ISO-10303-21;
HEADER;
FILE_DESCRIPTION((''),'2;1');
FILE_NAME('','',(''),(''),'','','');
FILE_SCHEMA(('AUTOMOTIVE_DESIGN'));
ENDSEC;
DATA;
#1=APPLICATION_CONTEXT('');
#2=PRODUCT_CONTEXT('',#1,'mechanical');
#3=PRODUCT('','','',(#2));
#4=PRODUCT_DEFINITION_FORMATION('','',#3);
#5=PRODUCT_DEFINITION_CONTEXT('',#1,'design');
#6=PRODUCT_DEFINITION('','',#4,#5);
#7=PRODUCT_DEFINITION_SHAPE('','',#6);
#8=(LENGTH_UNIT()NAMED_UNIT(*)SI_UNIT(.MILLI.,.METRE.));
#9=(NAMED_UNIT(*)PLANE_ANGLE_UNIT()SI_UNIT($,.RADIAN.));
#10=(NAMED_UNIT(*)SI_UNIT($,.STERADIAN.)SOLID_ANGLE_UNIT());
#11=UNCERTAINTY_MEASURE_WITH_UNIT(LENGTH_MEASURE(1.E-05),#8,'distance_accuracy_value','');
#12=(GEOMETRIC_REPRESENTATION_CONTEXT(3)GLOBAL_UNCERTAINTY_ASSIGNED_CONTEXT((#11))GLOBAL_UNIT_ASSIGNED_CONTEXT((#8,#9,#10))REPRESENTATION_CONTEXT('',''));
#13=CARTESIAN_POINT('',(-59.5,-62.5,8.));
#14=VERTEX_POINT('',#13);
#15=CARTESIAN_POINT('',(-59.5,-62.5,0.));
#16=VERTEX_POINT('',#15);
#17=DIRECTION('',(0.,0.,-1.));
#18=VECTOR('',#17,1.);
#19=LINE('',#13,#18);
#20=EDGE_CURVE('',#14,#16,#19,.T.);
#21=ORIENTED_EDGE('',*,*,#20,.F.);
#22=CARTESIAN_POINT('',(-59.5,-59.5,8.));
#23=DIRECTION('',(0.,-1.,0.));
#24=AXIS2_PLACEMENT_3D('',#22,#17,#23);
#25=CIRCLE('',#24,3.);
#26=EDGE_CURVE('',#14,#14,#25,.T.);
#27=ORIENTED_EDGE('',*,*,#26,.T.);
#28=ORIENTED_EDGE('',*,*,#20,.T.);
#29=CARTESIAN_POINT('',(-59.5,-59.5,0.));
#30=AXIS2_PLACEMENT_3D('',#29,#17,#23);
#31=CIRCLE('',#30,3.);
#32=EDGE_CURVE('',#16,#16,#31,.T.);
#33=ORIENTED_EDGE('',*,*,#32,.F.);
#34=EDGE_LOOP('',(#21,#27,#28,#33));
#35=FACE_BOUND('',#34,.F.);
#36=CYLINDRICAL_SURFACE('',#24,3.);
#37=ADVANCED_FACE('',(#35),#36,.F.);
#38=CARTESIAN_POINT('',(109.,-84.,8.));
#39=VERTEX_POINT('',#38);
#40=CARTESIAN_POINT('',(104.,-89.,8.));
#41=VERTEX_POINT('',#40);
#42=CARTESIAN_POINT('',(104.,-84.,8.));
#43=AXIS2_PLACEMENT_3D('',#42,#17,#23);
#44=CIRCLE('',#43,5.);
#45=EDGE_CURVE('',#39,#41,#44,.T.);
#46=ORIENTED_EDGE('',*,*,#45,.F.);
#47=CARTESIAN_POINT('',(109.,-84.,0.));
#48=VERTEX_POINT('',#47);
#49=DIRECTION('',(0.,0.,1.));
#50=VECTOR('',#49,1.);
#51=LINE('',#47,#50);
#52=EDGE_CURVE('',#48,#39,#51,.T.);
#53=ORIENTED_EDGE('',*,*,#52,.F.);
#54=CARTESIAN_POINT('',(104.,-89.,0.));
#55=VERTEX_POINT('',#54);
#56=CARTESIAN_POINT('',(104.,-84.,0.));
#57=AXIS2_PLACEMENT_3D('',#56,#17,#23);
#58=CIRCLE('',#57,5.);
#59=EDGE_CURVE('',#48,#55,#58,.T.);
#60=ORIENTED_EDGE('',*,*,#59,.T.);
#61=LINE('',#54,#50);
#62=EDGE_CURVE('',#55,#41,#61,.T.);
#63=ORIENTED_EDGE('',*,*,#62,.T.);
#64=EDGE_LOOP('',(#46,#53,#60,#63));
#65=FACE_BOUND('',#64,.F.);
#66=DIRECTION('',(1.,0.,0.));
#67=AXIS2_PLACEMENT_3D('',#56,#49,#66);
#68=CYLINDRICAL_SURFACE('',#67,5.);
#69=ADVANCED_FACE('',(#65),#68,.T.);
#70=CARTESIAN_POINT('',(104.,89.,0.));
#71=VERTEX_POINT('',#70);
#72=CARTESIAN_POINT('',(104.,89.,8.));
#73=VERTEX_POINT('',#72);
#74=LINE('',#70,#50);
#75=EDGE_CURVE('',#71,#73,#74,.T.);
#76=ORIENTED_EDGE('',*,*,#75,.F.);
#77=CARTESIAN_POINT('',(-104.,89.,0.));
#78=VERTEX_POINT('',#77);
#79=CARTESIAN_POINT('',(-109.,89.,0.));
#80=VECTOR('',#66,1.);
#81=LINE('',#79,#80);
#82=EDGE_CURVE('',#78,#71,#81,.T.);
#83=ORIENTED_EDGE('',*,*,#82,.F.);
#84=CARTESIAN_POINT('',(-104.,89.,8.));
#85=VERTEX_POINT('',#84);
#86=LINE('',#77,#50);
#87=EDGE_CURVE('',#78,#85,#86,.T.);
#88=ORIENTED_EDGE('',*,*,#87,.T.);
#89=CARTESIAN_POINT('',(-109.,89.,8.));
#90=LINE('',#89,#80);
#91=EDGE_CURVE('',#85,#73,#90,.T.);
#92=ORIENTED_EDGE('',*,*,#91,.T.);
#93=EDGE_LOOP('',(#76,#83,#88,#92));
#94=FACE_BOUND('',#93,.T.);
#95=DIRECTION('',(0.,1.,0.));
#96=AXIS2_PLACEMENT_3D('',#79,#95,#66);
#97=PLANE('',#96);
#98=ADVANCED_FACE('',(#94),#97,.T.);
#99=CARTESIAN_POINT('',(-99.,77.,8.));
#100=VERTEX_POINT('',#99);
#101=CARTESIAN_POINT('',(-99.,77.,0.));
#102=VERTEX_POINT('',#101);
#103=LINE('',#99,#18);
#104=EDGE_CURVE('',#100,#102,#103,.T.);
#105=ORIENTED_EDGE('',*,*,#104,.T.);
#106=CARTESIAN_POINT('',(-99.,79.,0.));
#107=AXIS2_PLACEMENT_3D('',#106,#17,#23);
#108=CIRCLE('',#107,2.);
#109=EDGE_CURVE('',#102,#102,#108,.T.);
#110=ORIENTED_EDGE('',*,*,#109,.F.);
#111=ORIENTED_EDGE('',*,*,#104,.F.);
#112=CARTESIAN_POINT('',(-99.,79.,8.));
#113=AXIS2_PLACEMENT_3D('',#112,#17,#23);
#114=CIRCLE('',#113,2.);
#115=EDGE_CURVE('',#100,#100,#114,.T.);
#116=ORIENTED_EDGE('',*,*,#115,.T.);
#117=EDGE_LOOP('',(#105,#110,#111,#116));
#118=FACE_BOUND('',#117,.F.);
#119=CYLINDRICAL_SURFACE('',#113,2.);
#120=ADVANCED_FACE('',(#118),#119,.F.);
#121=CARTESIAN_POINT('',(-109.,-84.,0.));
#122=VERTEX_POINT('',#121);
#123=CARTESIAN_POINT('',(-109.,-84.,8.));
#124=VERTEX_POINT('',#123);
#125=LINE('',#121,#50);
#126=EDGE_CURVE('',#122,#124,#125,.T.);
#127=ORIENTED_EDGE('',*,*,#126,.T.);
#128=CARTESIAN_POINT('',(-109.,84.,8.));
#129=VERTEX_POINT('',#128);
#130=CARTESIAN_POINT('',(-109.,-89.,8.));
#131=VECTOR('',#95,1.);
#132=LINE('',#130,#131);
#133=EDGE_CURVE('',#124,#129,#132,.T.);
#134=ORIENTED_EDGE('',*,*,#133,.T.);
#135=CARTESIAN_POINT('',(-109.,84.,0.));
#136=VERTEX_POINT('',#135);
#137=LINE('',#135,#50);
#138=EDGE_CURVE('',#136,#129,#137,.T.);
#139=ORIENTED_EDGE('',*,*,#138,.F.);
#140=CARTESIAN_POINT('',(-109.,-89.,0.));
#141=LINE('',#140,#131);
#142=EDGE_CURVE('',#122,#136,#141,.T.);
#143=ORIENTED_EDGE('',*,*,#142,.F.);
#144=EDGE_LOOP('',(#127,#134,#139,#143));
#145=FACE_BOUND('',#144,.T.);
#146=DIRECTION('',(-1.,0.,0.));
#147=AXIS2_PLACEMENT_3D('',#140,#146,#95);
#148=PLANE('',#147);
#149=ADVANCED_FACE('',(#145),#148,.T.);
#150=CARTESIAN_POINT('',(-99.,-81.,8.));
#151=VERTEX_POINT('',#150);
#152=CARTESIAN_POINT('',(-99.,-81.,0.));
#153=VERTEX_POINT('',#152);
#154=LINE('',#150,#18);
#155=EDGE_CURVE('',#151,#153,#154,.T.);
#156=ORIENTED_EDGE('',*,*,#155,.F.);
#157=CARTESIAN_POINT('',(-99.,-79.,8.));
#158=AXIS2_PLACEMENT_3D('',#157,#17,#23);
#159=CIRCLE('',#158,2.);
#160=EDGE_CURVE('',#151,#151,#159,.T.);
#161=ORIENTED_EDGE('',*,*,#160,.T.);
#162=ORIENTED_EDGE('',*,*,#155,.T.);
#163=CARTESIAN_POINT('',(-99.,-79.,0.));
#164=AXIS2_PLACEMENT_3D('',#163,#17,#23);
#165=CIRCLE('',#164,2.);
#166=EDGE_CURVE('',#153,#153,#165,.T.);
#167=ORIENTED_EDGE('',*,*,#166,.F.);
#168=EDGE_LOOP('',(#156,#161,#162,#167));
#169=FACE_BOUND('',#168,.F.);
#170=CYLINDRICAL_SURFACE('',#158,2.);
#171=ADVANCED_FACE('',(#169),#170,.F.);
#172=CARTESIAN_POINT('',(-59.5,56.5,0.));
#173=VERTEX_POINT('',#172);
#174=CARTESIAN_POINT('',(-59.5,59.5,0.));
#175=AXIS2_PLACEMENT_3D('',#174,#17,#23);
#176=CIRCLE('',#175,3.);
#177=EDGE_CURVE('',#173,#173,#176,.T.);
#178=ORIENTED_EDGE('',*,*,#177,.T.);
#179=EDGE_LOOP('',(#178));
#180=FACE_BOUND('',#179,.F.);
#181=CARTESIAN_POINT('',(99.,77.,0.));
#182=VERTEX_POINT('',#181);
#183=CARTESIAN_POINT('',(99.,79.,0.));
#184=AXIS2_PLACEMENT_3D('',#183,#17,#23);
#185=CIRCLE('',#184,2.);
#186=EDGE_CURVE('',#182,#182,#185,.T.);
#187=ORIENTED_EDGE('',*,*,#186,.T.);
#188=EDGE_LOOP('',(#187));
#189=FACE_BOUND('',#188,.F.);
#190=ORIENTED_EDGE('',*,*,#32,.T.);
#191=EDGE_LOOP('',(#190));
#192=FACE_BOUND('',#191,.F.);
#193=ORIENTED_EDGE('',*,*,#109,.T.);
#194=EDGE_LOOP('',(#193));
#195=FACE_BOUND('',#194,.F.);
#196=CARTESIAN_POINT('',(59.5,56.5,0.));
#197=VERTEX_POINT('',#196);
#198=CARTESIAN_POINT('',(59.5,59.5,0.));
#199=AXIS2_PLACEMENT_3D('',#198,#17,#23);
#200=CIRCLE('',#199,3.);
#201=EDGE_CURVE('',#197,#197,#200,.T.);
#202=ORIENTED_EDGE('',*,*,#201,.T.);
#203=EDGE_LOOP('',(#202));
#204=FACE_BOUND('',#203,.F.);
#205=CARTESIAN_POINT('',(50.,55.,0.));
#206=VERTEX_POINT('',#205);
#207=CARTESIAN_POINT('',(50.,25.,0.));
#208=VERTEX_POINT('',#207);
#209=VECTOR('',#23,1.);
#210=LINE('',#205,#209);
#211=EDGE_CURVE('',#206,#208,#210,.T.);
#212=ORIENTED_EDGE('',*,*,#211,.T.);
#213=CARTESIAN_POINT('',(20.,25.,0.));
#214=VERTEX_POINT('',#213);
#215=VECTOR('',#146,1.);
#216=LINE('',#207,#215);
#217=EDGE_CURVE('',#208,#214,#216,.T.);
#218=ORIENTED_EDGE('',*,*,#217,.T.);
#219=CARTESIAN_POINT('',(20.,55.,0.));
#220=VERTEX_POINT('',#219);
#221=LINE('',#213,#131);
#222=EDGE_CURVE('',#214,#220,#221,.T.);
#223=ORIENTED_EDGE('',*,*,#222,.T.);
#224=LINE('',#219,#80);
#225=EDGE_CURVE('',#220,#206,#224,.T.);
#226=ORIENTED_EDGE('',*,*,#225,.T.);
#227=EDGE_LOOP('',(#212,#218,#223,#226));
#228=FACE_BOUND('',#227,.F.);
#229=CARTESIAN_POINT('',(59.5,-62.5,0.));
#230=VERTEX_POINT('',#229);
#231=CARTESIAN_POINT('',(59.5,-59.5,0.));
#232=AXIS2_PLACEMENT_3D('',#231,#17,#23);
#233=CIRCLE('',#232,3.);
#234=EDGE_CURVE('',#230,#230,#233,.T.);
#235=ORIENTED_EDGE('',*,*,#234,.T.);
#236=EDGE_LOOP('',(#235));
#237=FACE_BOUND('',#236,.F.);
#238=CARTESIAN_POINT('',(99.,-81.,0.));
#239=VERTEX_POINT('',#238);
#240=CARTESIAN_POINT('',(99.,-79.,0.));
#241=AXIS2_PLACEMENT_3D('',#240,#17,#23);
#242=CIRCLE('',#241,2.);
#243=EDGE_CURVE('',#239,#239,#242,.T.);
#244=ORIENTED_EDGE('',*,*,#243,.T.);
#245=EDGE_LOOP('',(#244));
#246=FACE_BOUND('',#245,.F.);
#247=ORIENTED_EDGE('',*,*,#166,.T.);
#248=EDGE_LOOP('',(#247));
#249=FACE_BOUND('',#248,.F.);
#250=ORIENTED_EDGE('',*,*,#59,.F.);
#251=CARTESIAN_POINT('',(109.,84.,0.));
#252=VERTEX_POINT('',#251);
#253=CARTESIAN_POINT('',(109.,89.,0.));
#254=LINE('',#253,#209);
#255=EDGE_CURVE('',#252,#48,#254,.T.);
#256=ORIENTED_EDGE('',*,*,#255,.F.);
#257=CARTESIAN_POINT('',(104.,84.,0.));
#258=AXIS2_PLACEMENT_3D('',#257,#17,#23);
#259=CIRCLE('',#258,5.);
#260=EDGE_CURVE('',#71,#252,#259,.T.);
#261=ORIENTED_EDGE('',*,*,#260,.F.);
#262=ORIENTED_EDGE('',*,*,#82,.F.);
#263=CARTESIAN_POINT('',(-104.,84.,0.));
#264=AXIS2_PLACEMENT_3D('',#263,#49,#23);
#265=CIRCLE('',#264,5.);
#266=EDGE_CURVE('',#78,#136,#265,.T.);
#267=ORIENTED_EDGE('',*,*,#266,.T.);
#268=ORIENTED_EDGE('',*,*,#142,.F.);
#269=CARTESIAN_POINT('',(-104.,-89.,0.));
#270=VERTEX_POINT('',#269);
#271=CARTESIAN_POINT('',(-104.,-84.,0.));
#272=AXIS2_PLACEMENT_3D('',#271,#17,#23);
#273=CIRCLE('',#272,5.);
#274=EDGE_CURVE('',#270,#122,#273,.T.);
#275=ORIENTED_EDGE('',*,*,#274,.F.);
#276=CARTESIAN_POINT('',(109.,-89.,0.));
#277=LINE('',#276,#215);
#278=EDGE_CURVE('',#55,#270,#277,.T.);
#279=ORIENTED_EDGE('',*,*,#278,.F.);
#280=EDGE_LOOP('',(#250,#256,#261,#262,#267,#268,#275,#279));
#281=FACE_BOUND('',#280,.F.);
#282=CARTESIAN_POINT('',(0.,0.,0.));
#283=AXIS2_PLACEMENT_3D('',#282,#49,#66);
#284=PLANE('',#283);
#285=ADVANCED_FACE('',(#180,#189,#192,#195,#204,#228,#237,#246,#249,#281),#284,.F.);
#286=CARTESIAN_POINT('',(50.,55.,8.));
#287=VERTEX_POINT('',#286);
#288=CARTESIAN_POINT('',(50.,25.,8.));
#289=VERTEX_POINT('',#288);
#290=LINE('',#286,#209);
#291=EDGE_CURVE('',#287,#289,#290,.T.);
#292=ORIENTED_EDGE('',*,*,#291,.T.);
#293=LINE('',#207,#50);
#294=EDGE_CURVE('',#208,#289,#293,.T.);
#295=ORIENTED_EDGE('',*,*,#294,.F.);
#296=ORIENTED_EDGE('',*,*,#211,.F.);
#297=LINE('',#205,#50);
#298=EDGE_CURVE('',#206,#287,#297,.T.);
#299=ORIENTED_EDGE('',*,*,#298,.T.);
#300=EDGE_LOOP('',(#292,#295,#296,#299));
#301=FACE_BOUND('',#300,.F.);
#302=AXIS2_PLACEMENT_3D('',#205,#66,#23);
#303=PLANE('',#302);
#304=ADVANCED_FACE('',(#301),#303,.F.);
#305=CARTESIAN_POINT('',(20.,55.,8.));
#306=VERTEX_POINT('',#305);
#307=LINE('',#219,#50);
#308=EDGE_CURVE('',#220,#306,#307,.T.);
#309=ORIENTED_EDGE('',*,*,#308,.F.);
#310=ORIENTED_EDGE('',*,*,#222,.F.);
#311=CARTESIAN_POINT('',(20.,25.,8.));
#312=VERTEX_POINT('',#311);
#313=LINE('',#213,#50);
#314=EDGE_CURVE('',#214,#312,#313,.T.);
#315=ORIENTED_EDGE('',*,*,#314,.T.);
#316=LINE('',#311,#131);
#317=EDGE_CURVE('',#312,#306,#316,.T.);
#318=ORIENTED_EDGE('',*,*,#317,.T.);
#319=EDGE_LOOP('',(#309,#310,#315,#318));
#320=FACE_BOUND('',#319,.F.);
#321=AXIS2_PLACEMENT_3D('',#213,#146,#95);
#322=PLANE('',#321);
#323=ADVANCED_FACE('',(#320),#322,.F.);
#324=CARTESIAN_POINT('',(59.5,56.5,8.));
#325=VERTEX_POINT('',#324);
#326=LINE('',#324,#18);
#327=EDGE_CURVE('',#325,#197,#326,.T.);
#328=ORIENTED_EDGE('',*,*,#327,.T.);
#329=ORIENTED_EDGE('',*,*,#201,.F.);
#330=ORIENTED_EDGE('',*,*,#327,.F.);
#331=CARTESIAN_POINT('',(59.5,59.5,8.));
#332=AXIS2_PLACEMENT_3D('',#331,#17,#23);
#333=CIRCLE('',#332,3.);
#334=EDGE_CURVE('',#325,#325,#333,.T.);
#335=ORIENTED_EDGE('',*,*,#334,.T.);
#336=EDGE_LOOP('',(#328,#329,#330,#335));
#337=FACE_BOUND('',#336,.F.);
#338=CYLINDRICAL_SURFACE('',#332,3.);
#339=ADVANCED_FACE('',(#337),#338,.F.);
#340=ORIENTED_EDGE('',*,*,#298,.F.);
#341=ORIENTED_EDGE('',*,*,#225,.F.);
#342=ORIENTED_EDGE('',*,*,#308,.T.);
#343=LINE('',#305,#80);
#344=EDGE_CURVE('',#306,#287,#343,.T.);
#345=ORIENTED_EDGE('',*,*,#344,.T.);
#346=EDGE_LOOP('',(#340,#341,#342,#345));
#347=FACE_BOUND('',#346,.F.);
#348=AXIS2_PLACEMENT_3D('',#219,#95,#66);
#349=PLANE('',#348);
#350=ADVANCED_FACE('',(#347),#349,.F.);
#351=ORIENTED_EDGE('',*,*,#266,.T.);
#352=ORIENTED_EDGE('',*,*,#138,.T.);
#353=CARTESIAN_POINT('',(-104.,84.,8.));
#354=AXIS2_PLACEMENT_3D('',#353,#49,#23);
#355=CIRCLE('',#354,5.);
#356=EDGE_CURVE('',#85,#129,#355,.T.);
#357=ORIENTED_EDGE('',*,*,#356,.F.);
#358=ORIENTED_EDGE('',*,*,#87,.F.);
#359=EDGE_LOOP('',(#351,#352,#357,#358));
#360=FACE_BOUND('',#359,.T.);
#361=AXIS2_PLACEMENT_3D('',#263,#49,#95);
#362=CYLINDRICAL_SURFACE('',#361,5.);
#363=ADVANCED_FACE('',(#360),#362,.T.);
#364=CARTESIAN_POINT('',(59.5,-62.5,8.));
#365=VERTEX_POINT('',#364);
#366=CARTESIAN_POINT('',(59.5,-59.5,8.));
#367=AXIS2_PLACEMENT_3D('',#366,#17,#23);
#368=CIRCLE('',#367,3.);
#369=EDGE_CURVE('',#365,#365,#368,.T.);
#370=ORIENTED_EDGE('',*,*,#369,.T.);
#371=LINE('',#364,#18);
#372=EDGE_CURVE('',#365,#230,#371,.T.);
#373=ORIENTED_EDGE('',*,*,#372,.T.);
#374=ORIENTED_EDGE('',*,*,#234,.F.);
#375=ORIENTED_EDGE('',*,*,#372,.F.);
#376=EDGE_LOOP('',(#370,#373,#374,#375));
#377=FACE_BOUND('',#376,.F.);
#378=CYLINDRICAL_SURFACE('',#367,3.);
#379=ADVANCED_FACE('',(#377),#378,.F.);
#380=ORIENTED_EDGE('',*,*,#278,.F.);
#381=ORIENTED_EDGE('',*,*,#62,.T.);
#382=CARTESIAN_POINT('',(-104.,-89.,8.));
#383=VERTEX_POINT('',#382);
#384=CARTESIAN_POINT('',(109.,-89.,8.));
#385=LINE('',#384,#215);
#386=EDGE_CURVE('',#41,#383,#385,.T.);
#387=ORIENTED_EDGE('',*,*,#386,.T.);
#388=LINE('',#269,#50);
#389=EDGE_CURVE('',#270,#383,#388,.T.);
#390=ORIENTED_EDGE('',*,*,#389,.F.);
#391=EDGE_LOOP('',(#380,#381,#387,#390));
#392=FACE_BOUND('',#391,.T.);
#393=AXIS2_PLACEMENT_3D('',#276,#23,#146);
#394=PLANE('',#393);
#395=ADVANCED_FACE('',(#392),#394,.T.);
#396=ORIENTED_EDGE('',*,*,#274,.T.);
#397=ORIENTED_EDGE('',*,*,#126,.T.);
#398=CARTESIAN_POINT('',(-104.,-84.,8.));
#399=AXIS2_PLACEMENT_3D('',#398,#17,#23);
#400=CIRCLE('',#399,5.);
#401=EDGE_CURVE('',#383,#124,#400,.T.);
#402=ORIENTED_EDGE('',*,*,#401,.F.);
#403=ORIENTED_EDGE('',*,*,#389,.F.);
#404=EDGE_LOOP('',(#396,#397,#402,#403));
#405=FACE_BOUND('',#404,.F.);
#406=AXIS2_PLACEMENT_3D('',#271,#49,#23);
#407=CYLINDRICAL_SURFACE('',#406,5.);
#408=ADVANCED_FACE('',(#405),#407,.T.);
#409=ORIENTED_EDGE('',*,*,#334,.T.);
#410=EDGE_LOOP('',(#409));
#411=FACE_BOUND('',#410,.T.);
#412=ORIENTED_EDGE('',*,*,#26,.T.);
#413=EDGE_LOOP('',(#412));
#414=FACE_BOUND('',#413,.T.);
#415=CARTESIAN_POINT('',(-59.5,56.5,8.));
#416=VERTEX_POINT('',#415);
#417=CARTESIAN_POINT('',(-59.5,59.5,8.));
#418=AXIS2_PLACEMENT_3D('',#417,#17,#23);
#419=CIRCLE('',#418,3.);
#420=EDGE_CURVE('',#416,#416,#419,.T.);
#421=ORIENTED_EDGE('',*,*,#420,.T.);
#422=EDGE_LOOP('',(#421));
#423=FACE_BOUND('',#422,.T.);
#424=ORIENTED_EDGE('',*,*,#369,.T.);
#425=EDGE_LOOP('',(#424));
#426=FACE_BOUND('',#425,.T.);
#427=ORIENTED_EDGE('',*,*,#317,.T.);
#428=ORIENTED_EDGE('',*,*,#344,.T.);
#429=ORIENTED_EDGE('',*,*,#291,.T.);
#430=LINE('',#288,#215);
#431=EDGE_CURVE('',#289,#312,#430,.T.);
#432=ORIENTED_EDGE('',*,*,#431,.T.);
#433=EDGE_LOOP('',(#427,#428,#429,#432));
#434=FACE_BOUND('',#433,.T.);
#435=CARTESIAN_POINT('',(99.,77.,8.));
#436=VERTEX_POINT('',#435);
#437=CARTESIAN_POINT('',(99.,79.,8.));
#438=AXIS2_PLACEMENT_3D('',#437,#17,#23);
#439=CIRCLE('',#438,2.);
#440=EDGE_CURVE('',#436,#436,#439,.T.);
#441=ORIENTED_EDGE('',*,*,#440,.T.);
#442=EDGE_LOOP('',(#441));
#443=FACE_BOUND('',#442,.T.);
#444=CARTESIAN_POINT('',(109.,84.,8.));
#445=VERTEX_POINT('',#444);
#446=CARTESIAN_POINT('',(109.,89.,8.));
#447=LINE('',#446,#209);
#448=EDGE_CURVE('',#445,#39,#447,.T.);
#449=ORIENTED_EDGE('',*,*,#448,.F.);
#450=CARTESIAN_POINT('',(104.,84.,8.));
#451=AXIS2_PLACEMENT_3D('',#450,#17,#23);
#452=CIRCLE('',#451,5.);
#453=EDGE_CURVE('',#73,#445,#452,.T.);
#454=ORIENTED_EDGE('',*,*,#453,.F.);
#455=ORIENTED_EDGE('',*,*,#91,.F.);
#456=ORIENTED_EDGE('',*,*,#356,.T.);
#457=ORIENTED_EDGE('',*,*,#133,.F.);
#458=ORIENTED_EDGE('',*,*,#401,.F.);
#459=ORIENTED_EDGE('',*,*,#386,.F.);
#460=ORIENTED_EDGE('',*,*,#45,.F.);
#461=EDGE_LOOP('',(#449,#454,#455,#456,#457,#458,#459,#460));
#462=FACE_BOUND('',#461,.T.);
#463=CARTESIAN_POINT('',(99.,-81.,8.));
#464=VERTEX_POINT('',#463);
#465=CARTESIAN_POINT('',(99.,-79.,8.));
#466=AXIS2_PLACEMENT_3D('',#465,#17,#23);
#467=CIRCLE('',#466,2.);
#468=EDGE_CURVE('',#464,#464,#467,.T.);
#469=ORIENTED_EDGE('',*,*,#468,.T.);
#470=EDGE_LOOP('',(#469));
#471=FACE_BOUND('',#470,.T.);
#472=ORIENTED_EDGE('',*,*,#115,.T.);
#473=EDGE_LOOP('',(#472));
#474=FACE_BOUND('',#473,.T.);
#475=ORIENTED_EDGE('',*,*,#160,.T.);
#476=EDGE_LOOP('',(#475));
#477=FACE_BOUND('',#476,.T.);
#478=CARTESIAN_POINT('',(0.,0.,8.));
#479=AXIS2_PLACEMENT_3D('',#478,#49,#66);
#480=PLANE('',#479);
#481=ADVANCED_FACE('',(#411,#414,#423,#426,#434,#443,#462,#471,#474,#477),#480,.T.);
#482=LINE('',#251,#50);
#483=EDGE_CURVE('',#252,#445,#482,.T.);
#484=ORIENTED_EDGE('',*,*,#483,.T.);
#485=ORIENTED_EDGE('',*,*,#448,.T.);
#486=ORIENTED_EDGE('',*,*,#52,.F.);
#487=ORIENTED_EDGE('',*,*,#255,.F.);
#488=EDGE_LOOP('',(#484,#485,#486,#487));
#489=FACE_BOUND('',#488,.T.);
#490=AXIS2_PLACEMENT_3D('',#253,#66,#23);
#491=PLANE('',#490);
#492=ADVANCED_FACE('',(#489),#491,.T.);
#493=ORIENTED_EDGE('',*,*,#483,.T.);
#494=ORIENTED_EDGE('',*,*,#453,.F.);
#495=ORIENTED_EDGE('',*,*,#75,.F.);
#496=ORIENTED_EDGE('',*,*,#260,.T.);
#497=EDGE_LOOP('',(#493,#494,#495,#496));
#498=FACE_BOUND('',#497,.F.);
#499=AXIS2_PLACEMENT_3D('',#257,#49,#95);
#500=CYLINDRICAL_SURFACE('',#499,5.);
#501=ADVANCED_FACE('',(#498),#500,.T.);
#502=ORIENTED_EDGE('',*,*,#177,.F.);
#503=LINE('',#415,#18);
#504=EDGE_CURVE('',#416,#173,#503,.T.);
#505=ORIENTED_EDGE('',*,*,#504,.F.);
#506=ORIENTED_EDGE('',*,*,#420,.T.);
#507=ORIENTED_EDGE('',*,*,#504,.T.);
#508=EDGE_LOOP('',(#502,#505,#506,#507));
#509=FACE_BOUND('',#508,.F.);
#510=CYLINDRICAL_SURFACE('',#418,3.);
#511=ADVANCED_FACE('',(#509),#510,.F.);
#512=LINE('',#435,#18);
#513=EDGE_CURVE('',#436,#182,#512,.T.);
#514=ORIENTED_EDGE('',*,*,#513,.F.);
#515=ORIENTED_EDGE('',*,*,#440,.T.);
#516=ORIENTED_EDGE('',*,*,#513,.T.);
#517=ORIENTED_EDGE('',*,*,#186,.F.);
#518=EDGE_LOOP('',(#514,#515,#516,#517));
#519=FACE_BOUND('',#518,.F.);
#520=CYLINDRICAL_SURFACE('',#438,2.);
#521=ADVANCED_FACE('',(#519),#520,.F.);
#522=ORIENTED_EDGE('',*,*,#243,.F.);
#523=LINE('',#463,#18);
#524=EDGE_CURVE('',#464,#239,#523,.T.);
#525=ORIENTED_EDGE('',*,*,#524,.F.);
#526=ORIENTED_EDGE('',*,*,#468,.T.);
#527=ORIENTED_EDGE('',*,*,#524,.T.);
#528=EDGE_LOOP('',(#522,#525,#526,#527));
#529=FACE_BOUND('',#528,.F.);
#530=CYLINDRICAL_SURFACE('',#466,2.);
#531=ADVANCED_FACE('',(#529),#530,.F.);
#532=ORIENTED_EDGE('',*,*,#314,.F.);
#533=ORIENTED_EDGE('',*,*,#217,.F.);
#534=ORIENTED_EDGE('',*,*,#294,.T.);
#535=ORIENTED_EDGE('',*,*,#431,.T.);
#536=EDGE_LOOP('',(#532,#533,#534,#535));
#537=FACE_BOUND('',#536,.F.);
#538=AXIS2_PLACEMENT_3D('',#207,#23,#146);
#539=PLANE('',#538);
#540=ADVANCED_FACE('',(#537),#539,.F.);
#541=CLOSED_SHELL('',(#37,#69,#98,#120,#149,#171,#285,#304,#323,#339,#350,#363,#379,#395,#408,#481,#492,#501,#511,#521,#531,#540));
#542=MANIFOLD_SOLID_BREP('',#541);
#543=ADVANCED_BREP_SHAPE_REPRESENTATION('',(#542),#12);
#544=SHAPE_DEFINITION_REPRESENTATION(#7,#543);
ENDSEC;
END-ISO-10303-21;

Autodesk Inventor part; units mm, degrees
ref_plane "YZ Plane" through (0, 0, 0) normal (1, 0, 0) x (0, 1, 0)
ref_plane "XZ Plane" through (0, 0, 0) normal (0, 1, 0) x (-1, 0, 0)
ref_plane "XY Plane" through (0, 0, 0) normal (0, 0, 1) x (1, 0, 0)
sketch "Sketch1" plane through (0, 0, 0) normal (0, 0, 1) x (1, 0, 0)
  line L0 (-109, 89) -> (109, 89)
  line L1 (109, 89) -> (109, -89)
  line L2 (109, -89) -> (-109, -89)
  line L3 (-109, -89) -> (-109, 89)
  line L4 (20, 55) -> (50, 55)
  line L5 (50, 55) -> (50, 25)
  line L6 (50, 25) -> (20, 25)
  line L7 (20, 25) -> (20, 55)
  point P0 (0, 0)
  dimension "d0" = 218
  dimension "d1" = 178
  dimension "d2" = 109
  dimension "d3" = 89
  dimension "d4" = 20
  dimension "d5" = 25
  dimension "d6" = 30
  dimension "d7" = 30
extrude "Extrusion1" add sketch "Sketch1" along normal blind 8
fillet "Fillet1" radius 5 4 edges at (-109, -89, 4) (109, -89, 4) (109, 89, 4) (-109, 89, 4)
sketch "Sketch2" plane through (0, 0, 8) normal (0, 0, 1) x (1, 0, 0)
  line L0 (-99, 79) -> (99, 79)
  line L1 (99, 79) -> (99, -79)
  line L2 (99, -79) -> (-99, -79)
  line L3 (-99, -79) -> (-99, 79)
  line L4 (109, -84) -> (109, 84)
  line L5 (104, 89) -> (-104, 89)
  line L6 (-109, 84) -> (-109, -84)
  line L7 (-104, -89) -> (104, -89)
  circle A0 centre (-99, 79) radius 2
  point P0 (0, 0)
  dimension "d11" = 10
  dimension "d12" = 10
  dimension "d13" = 10
  dimension "d14" = 10
  dimension "d15" = 4
hole "Hole1" at (-99, 79, 8) at (99, 79, 8) at (99, -79, 8) at (-99, -79, 8) direction (0, 0, -1) diameter 4 end through all
sketch "Sketch3" plane through (0, 0, 8) normal (0, 0, 1) x (1, 0, 0)
  line L0 (-59.5, 59.5) -> (59.5, 59.5)
  line L1 (59.5, 59.5) -> (59.5, -59.5)
  line L2 (59.5, -59.5) -> (-59.5, -59.5)
  line L3 (-59.5, -59.5) -> (-59.5, 59.5)
  circle A0 centre (-59.5, 59.5) radius 3
  point P0 (0, 0)
  dimension "d23" = 119
  dimension "d24" = 119
  dimension "d25" = 59.5
  dimension "d26" = 59.5
  dimension "d27" = 6
hole "Hole2" at (-59.5, 59.5, 8) at (59.5, 59.5, 8) at (59.5, -59.5, 8) at (-59.5, -59.5, 8) direction (0, 0, -1) diameter 6 end through all
equation "\"d16\" = d15"
equation "\"d28\" = d27"
properties part number "WaagePlexiUnterseite" material "PET Plastic"
